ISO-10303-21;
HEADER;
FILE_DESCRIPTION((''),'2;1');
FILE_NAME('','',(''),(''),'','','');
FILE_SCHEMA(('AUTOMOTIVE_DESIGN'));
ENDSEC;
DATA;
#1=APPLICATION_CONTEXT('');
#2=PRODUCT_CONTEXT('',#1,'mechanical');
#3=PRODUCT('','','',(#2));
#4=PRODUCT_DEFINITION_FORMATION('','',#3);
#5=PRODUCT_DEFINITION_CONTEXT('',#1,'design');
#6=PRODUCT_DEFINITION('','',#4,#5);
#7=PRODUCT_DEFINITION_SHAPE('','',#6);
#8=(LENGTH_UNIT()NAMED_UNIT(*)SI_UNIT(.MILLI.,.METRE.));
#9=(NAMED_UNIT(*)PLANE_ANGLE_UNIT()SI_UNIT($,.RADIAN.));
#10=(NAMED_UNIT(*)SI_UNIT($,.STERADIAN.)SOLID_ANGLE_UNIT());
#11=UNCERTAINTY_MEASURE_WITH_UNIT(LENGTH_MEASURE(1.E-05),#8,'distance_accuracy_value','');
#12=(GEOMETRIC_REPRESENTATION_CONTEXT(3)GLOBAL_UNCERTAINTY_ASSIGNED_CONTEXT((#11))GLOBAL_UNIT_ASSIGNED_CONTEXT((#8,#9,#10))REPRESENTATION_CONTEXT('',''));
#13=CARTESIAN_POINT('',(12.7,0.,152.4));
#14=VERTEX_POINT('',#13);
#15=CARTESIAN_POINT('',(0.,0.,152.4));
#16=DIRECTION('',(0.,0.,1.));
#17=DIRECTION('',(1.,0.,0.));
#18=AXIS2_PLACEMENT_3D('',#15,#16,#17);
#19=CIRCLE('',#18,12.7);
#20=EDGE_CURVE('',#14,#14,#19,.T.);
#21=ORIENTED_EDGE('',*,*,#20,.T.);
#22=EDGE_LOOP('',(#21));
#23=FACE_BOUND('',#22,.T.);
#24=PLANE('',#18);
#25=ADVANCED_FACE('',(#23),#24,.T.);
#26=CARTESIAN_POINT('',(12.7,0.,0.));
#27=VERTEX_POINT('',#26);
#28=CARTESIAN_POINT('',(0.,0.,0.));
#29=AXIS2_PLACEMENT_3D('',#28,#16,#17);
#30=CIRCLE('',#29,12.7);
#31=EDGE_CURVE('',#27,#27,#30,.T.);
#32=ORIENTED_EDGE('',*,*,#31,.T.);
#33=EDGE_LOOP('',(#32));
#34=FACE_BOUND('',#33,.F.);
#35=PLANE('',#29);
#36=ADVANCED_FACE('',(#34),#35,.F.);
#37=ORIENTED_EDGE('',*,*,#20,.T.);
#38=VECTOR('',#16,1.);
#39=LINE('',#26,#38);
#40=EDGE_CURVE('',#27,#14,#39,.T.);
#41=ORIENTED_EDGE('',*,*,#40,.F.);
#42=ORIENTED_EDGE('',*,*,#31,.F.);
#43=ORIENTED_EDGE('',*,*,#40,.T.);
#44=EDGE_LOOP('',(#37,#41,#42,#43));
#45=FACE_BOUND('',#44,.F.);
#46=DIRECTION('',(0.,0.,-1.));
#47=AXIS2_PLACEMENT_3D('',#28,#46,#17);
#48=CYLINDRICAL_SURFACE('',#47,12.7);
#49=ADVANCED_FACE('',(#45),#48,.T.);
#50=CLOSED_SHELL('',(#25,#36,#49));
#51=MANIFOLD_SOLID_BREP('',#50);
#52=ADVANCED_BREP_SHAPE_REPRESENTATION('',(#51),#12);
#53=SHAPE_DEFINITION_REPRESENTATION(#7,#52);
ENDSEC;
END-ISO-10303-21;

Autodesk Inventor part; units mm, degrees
ref_plane "YZ Plane" through (0, 0, 0) normal (1, 0, 0) x (0, 1, 0)
ref_plane "XZ Plane" through (0, 0, 0) normal (0, 1, 0) x (-1, 0, 0)
ref_plane "XY Plane" through (0, 0, 0) normal (0, 0, 1) x (1, 0, 0)
sketch "Sketch1" plane through (0, 0, 0) normal (0, 0, 1) x (1, 0, 0)
  circle A0 centre (0, 0) radius 12.7
  dimension "d0" = 25.4
extrude "Extrusion1" add sketch "Sketch1" along normal blind 152.4
properties part number "hook rod"
